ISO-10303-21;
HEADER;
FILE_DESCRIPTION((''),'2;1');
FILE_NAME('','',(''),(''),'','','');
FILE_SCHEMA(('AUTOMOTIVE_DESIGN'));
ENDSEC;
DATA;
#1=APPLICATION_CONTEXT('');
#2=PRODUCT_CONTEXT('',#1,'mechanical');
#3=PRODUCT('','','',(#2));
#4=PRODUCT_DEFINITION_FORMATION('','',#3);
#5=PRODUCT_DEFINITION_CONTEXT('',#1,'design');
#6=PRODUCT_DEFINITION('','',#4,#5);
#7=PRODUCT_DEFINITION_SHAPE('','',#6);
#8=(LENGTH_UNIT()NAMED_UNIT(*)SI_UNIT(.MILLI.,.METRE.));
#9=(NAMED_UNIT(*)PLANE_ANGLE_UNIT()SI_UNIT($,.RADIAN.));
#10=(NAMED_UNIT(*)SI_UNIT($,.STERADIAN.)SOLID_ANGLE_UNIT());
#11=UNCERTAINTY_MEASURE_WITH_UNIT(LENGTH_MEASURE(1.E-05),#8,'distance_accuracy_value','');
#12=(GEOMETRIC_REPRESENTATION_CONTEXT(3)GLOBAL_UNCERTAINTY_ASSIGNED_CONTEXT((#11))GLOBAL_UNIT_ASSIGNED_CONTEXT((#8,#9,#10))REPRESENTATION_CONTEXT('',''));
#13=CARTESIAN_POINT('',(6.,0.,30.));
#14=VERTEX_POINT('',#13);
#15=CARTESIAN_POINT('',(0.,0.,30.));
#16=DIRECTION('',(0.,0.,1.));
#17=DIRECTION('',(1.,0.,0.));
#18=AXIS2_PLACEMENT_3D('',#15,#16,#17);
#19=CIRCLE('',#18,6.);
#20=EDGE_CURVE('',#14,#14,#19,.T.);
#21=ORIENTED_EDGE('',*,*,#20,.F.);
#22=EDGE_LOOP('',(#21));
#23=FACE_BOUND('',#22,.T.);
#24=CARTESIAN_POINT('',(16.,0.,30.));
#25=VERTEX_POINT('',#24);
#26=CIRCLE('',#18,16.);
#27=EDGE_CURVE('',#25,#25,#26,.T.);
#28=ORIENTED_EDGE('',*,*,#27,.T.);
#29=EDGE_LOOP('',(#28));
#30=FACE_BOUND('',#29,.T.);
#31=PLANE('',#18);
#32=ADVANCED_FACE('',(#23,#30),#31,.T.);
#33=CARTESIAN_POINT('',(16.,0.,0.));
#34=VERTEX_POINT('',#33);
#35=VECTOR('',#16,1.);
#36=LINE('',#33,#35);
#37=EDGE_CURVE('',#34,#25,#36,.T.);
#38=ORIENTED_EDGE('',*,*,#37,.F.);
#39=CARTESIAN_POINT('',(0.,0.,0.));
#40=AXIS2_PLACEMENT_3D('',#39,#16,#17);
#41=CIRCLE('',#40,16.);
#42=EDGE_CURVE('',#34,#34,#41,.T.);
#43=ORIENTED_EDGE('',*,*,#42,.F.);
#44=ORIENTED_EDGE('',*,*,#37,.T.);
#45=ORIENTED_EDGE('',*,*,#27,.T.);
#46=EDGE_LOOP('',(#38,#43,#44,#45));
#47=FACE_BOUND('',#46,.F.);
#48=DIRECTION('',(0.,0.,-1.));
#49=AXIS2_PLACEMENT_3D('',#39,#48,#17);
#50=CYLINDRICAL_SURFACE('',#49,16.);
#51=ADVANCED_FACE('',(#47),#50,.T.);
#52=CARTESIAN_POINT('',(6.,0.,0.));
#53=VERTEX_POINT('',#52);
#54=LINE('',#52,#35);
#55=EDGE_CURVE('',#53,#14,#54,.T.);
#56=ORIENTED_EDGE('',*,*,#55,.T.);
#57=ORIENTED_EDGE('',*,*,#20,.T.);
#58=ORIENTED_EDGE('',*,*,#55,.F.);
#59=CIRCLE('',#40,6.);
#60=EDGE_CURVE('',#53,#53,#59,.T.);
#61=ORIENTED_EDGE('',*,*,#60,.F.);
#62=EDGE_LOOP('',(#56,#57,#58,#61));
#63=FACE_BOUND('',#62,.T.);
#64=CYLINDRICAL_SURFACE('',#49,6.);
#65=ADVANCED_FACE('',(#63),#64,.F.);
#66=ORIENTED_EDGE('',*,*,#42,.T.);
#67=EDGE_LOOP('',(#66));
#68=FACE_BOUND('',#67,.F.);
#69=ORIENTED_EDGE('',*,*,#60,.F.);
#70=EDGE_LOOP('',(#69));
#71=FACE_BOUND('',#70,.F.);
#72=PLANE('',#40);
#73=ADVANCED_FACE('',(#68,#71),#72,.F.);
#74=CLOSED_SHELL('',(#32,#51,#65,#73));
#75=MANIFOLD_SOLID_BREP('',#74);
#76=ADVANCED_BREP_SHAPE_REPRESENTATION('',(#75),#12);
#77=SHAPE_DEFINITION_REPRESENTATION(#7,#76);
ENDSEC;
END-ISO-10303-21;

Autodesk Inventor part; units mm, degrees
ref_plane "YZ Plane" through (0, 0, 0) normal (1, 0, 0) x (0, 1, 0)
ref_plane "XZ Plane" through (0, 0, 0) normal (0, 1, 0) x (-1, 0, 0)
ref_plane "XY Plane" through (0, 0, 0) normal (0, 0, 1) x (1, 0, 0)
sketch "Sketch1" plane through (0, 0, 0) normal (0, 0, 1) x (1, 0, 0)
  circle A0 centre (0, 0) radius 6
  circle A1 centre (0, 0) radius 16
  dimension "d0" = 12
  dimension "d1" = 10
extrude "Extrusion1" add sketch "Sketch1" along normal blind 30
properties part number "dule"
